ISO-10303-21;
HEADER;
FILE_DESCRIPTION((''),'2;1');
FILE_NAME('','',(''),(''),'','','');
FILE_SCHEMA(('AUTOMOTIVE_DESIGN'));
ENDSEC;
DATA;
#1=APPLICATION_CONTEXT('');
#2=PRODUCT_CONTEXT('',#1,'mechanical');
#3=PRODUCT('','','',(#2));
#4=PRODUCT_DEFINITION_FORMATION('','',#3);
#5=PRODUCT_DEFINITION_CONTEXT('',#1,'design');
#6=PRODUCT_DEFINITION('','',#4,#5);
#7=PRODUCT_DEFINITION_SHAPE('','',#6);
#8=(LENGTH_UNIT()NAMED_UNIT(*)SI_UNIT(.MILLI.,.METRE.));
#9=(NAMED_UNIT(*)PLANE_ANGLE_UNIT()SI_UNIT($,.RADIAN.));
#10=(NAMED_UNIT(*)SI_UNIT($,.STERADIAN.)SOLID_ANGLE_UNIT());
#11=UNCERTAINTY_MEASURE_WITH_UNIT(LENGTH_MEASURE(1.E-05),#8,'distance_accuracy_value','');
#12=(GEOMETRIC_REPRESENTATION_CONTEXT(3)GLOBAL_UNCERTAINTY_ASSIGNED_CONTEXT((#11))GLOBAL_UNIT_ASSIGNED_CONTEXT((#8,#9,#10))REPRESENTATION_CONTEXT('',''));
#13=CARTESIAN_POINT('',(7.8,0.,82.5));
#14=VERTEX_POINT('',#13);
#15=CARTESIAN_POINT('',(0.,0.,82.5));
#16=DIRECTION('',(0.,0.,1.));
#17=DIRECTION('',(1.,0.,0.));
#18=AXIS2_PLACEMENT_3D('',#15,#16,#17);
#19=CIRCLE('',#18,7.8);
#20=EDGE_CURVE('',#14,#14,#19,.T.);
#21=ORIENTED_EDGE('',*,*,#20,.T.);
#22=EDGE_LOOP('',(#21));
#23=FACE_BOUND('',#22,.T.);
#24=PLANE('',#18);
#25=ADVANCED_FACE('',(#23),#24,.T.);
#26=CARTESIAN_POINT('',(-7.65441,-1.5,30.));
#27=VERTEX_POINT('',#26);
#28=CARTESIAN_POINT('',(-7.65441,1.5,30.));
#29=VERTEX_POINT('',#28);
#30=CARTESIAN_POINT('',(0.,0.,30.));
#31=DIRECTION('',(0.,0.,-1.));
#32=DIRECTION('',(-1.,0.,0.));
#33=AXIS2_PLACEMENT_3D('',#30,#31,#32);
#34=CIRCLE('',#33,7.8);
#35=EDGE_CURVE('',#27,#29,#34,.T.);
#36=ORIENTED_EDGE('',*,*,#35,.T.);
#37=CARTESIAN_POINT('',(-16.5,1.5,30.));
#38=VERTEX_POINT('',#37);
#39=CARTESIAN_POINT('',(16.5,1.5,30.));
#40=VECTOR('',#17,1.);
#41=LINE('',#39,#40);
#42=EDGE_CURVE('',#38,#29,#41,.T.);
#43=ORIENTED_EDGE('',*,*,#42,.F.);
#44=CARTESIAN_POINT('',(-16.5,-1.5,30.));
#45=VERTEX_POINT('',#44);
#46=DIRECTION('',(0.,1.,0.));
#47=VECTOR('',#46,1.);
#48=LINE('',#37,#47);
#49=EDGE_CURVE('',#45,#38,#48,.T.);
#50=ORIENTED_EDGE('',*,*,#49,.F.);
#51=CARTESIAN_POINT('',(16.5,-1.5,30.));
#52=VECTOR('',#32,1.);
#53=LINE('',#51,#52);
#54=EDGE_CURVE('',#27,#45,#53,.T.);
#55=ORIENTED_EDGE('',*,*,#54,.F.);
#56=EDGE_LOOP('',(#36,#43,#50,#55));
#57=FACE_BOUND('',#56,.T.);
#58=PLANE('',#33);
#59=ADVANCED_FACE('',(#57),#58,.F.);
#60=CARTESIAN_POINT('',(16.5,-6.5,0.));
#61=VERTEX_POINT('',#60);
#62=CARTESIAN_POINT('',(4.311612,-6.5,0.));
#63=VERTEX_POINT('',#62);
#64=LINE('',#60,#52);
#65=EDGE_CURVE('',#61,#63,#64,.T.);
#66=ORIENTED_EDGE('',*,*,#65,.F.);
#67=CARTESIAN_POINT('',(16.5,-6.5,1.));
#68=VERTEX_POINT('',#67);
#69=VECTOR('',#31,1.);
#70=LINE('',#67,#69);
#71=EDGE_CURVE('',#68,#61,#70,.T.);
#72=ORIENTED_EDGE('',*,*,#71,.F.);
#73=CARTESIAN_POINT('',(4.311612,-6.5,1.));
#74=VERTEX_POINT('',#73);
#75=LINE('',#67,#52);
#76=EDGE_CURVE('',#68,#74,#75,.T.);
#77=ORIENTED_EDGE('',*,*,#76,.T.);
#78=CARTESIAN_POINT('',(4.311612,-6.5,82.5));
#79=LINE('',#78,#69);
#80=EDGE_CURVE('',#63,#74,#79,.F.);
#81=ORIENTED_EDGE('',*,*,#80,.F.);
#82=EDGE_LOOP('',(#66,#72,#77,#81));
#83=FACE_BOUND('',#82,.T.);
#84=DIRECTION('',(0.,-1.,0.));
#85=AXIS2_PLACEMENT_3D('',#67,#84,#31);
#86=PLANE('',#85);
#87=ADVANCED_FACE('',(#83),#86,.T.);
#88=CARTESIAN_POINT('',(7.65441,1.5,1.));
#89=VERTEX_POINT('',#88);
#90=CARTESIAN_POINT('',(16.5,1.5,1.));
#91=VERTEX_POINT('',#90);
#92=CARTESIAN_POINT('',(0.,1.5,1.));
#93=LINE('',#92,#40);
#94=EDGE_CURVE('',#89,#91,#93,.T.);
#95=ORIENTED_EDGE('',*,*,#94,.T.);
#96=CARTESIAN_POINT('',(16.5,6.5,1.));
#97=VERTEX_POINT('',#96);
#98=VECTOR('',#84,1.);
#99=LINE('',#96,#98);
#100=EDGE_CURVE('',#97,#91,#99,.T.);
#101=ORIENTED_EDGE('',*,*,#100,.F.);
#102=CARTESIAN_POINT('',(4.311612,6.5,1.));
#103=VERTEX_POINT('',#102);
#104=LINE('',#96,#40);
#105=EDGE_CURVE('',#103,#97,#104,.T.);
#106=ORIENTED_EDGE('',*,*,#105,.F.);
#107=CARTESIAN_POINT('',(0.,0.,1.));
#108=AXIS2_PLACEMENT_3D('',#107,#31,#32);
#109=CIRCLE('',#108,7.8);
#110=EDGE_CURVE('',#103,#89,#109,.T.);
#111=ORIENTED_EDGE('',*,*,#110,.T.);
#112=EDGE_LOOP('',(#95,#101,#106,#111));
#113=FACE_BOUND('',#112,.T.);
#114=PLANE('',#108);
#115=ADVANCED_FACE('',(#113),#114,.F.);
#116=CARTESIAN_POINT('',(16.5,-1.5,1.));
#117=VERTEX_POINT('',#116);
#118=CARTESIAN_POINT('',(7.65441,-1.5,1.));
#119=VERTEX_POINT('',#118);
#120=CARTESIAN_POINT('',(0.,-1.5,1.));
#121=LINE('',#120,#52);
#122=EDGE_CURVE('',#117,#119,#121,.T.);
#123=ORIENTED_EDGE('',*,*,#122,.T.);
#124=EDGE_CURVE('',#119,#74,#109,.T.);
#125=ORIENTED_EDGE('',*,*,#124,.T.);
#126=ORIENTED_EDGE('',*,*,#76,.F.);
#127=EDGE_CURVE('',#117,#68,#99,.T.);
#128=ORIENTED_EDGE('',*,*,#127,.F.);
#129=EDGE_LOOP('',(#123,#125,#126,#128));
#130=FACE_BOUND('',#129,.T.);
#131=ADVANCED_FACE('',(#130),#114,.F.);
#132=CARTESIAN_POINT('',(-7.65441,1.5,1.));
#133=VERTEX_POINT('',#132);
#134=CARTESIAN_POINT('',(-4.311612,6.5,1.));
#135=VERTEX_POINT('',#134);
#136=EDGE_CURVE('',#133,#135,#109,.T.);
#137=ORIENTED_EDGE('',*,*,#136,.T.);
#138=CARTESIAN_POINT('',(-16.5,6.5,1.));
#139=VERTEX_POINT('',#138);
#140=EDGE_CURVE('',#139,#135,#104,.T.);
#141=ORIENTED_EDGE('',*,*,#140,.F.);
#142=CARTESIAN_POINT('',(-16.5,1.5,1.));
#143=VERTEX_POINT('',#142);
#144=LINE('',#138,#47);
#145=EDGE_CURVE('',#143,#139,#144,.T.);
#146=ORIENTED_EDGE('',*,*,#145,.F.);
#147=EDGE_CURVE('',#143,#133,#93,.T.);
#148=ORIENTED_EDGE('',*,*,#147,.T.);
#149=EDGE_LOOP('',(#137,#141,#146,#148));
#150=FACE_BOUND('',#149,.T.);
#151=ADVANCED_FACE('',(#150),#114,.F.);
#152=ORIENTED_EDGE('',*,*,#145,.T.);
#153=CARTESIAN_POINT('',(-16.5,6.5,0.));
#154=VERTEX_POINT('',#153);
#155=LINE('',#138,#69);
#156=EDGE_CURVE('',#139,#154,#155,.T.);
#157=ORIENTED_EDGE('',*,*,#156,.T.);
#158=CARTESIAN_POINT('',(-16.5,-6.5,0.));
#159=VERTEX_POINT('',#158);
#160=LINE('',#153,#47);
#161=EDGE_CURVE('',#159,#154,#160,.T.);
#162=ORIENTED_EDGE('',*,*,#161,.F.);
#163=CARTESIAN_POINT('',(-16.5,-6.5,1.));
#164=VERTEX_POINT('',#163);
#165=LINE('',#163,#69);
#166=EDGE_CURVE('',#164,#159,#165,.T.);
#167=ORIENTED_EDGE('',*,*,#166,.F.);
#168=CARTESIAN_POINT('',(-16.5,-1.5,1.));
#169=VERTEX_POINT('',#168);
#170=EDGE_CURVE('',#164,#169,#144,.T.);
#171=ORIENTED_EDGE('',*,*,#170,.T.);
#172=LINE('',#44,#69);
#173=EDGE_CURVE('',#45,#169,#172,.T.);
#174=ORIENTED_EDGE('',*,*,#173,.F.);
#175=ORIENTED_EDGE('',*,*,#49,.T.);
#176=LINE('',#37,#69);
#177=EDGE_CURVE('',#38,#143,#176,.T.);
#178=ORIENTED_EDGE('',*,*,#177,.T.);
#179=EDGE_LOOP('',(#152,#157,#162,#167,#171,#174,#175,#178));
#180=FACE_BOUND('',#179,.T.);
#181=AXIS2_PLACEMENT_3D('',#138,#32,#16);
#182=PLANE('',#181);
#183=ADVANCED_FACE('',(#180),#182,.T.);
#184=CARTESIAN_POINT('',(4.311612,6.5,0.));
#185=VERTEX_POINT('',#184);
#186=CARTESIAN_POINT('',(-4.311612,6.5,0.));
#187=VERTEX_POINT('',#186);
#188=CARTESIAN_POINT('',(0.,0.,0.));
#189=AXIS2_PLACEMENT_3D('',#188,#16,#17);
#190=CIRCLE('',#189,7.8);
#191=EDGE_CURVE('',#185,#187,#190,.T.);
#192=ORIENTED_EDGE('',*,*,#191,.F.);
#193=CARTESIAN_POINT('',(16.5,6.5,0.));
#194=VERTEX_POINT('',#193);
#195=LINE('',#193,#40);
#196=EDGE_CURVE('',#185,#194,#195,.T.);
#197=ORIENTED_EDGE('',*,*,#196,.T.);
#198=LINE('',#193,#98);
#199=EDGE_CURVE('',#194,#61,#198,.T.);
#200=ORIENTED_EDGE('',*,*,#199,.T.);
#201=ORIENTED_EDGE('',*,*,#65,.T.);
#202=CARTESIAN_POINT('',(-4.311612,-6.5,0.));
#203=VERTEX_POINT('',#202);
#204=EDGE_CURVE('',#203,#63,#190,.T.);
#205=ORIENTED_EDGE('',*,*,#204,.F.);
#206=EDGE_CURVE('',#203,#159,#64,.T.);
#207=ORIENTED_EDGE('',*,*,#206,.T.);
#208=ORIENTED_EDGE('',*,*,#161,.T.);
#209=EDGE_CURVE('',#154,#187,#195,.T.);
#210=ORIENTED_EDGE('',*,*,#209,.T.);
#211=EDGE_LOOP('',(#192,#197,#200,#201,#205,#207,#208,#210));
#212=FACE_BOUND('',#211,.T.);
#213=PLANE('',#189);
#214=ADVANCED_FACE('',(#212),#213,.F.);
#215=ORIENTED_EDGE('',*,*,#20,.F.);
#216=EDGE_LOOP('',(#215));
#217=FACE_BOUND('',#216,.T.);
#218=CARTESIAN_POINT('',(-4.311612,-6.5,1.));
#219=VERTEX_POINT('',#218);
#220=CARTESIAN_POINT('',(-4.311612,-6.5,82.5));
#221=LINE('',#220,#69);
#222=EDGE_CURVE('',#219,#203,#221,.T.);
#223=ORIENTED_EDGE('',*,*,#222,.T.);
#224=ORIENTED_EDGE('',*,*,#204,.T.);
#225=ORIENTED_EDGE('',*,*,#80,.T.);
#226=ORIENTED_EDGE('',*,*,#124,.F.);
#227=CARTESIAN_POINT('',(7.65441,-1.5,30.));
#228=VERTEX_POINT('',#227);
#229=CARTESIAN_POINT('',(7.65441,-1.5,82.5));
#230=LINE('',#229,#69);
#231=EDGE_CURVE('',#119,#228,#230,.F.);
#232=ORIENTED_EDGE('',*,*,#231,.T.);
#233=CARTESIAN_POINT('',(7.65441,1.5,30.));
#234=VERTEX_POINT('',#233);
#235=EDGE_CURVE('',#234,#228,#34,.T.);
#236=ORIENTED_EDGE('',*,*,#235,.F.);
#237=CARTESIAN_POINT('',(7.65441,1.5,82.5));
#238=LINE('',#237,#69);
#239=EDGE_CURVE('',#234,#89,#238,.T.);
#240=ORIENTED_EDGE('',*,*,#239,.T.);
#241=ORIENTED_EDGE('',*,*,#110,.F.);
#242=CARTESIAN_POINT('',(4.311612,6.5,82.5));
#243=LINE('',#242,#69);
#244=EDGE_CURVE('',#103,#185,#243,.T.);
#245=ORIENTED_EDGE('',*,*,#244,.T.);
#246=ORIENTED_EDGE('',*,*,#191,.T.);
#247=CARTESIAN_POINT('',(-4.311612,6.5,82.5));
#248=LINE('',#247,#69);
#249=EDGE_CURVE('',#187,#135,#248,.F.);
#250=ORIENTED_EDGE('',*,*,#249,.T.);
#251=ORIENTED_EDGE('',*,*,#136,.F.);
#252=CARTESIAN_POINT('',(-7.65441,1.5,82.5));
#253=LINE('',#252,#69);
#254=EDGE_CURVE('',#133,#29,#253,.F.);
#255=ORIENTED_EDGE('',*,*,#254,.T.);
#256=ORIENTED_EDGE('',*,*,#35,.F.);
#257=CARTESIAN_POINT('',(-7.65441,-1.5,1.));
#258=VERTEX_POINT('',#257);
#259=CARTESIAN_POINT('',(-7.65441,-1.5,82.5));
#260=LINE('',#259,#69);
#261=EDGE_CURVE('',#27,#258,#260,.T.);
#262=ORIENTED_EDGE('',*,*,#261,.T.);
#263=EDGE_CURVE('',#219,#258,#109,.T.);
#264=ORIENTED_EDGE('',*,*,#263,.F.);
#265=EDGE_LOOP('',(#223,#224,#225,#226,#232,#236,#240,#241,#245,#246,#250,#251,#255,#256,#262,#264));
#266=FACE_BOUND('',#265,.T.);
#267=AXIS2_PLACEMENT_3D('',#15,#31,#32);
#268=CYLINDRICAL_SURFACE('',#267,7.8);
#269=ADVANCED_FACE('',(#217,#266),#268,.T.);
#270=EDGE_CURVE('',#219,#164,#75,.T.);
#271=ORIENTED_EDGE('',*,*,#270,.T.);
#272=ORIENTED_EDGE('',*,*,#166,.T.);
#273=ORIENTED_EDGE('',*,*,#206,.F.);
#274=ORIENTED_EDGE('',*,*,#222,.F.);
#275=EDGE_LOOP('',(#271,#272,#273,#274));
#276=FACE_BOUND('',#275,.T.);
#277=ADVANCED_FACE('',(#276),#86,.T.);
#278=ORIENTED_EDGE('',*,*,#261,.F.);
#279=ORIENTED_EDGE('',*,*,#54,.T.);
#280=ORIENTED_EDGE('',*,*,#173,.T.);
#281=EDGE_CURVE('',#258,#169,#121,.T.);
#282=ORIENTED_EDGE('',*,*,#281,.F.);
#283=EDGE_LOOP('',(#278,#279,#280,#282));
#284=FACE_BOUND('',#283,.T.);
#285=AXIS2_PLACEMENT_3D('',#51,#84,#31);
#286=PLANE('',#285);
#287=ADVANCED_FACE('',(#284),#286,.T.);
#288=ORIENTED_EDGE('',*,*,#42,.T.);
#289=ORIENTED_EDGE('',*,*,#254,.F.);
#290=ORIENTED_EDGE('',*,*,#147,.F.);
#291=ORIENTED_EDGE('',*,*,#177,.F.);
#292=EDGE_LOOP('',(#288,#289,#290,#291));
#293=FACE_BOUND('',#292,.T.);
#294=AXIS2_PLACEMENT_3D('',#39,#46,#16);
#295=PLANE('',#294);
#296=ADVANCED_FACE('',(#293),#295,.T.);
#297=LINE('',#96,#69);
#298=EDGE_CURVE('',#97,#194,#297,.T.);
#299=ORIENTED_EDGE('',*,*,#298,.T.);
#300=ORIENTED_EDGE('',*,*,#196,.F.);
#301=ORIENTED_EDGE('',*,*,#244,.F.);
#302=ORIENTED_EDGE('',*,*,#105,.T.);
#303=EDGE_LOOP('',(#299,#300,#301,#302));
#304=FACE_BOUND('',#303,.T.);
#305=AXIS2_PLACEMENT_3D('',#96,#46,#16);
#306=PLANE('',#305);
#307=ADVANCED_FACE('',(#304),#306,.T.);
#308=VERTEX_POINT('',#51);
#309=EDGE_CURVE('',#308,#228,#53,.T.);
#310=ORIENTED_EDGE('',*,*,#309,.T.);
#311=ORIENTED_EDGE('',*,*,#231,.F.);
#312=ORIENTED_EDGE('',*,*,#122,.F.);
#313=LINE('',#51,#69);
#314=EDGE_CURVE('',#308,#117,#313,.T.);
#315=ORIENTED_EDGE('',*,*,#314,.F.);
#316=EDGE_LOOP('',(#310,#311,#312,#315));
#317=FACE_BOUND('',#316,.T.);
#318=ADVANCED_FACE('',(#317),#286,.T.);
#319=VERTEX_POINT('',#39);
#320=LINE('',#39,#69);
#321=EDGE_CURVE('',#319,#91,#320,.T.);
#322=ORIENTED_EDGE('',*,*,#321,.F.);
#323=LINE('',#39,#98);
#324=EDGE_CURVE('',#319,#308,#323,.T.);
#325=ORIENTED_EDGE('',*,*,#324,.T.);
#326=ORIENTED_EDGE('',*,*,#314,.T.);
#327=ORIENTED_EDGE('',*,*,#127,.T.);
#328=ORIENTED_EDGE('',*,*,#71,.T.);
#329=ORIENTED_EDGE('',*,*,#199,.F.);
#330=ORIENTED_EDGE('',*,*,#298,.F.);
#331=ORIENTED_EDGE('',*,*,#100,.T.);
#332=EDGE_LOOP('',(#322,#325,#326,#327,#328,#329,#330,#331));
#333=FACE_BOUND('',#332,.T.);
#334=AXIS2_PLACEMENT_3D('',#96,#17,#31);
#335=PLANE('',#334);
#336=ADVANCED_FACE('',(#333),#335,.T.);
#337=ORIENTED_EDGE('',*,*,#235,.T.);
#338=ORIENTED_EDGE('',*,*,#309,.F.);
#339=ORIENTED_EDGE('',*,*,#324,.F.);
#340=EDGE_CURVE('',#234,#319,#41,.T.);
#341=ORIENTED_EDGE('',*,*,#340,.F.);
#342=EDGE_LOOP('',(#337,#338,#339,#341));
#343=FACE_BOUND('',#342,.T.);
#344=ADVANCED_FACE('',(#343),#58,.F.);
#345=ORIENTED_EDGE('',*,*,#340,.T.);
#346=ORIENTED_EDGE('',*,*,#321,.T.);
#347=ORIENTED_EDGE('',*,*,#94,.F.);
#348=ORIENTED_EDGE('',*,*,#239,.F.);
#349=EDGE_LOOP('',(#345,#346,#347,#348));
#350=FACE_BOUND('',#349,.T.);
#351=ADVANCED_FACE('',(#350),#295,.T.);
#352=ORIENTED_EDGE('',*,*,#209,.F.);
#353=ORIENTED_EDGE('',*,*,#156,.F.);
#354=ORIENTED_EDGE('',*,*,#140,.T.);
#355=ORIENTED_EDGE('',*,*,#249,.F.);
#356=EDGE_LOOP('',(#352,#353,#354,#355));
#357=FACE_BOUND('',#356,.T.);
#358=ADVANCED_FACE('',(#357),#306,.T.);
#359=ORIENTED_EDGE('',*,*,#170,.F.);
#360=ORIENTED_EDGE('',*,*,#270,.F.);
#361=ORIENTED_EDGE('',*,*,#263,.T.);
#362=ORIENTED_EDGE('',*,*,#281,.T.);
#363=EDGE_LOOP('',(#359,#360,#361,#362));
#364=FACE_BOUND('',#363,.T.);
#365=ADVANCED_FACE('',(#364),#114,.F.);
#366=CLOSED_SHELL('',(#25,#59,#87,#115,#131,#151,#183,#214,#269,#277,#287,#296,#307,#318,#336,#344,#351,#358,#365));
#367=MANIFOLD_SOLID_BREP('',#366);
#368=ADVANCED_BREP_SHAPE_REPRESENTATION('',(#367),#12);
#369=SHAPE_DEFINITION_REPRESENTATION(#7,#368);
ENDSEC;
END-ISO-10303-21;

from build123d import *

# Parameters (mm, degrees)
SKETCH1_R           = 7.8
BOSS_EXTRUDE1_DEPTH = 82.5
SKETCH2_W           = 33
SKETCH2_H           = 13
BOSS_EXTRUDE2_DEPTH = 1
SKETCH3_W           = 33
SKETCH3_H           = 3
BOSS_EXTRUDE3_DEPTH = 30


with BuildPart() as part:
    # Sketch1 → Boss-Extrude1 (new body)
    with BuildSketch(Plane.XY):
        Circle(SKETCH1_R)
    extrude(amount=BOSS_EXTRUDE1_DEPTH)

    # Sketch2 → Boss-Extrude2 (add)
    with BuildSketch(Plane(origin=(0, 0, 0), x_dir=(-1, 0, 0), z_dir=(0, 0, -1))):
        Rectangle(SKETCH2_W, SKETCH2_H)
    extrude(amount=-BOSS_EXTRUDE2_DEPTH)

    # Sketch3 → Boss-Extrude3 (add)
    with BuildSketch(Plane(origin=(0, 0, 0), x_dir=(-1, 0, 0), z_dir=(0, 0, -1))):
        Rectangle(SKETCH3_W, SKETCH3_H)
    extrude(amount=-BOSS_EXTRUDE3_DEPTH)


solid = part.part
